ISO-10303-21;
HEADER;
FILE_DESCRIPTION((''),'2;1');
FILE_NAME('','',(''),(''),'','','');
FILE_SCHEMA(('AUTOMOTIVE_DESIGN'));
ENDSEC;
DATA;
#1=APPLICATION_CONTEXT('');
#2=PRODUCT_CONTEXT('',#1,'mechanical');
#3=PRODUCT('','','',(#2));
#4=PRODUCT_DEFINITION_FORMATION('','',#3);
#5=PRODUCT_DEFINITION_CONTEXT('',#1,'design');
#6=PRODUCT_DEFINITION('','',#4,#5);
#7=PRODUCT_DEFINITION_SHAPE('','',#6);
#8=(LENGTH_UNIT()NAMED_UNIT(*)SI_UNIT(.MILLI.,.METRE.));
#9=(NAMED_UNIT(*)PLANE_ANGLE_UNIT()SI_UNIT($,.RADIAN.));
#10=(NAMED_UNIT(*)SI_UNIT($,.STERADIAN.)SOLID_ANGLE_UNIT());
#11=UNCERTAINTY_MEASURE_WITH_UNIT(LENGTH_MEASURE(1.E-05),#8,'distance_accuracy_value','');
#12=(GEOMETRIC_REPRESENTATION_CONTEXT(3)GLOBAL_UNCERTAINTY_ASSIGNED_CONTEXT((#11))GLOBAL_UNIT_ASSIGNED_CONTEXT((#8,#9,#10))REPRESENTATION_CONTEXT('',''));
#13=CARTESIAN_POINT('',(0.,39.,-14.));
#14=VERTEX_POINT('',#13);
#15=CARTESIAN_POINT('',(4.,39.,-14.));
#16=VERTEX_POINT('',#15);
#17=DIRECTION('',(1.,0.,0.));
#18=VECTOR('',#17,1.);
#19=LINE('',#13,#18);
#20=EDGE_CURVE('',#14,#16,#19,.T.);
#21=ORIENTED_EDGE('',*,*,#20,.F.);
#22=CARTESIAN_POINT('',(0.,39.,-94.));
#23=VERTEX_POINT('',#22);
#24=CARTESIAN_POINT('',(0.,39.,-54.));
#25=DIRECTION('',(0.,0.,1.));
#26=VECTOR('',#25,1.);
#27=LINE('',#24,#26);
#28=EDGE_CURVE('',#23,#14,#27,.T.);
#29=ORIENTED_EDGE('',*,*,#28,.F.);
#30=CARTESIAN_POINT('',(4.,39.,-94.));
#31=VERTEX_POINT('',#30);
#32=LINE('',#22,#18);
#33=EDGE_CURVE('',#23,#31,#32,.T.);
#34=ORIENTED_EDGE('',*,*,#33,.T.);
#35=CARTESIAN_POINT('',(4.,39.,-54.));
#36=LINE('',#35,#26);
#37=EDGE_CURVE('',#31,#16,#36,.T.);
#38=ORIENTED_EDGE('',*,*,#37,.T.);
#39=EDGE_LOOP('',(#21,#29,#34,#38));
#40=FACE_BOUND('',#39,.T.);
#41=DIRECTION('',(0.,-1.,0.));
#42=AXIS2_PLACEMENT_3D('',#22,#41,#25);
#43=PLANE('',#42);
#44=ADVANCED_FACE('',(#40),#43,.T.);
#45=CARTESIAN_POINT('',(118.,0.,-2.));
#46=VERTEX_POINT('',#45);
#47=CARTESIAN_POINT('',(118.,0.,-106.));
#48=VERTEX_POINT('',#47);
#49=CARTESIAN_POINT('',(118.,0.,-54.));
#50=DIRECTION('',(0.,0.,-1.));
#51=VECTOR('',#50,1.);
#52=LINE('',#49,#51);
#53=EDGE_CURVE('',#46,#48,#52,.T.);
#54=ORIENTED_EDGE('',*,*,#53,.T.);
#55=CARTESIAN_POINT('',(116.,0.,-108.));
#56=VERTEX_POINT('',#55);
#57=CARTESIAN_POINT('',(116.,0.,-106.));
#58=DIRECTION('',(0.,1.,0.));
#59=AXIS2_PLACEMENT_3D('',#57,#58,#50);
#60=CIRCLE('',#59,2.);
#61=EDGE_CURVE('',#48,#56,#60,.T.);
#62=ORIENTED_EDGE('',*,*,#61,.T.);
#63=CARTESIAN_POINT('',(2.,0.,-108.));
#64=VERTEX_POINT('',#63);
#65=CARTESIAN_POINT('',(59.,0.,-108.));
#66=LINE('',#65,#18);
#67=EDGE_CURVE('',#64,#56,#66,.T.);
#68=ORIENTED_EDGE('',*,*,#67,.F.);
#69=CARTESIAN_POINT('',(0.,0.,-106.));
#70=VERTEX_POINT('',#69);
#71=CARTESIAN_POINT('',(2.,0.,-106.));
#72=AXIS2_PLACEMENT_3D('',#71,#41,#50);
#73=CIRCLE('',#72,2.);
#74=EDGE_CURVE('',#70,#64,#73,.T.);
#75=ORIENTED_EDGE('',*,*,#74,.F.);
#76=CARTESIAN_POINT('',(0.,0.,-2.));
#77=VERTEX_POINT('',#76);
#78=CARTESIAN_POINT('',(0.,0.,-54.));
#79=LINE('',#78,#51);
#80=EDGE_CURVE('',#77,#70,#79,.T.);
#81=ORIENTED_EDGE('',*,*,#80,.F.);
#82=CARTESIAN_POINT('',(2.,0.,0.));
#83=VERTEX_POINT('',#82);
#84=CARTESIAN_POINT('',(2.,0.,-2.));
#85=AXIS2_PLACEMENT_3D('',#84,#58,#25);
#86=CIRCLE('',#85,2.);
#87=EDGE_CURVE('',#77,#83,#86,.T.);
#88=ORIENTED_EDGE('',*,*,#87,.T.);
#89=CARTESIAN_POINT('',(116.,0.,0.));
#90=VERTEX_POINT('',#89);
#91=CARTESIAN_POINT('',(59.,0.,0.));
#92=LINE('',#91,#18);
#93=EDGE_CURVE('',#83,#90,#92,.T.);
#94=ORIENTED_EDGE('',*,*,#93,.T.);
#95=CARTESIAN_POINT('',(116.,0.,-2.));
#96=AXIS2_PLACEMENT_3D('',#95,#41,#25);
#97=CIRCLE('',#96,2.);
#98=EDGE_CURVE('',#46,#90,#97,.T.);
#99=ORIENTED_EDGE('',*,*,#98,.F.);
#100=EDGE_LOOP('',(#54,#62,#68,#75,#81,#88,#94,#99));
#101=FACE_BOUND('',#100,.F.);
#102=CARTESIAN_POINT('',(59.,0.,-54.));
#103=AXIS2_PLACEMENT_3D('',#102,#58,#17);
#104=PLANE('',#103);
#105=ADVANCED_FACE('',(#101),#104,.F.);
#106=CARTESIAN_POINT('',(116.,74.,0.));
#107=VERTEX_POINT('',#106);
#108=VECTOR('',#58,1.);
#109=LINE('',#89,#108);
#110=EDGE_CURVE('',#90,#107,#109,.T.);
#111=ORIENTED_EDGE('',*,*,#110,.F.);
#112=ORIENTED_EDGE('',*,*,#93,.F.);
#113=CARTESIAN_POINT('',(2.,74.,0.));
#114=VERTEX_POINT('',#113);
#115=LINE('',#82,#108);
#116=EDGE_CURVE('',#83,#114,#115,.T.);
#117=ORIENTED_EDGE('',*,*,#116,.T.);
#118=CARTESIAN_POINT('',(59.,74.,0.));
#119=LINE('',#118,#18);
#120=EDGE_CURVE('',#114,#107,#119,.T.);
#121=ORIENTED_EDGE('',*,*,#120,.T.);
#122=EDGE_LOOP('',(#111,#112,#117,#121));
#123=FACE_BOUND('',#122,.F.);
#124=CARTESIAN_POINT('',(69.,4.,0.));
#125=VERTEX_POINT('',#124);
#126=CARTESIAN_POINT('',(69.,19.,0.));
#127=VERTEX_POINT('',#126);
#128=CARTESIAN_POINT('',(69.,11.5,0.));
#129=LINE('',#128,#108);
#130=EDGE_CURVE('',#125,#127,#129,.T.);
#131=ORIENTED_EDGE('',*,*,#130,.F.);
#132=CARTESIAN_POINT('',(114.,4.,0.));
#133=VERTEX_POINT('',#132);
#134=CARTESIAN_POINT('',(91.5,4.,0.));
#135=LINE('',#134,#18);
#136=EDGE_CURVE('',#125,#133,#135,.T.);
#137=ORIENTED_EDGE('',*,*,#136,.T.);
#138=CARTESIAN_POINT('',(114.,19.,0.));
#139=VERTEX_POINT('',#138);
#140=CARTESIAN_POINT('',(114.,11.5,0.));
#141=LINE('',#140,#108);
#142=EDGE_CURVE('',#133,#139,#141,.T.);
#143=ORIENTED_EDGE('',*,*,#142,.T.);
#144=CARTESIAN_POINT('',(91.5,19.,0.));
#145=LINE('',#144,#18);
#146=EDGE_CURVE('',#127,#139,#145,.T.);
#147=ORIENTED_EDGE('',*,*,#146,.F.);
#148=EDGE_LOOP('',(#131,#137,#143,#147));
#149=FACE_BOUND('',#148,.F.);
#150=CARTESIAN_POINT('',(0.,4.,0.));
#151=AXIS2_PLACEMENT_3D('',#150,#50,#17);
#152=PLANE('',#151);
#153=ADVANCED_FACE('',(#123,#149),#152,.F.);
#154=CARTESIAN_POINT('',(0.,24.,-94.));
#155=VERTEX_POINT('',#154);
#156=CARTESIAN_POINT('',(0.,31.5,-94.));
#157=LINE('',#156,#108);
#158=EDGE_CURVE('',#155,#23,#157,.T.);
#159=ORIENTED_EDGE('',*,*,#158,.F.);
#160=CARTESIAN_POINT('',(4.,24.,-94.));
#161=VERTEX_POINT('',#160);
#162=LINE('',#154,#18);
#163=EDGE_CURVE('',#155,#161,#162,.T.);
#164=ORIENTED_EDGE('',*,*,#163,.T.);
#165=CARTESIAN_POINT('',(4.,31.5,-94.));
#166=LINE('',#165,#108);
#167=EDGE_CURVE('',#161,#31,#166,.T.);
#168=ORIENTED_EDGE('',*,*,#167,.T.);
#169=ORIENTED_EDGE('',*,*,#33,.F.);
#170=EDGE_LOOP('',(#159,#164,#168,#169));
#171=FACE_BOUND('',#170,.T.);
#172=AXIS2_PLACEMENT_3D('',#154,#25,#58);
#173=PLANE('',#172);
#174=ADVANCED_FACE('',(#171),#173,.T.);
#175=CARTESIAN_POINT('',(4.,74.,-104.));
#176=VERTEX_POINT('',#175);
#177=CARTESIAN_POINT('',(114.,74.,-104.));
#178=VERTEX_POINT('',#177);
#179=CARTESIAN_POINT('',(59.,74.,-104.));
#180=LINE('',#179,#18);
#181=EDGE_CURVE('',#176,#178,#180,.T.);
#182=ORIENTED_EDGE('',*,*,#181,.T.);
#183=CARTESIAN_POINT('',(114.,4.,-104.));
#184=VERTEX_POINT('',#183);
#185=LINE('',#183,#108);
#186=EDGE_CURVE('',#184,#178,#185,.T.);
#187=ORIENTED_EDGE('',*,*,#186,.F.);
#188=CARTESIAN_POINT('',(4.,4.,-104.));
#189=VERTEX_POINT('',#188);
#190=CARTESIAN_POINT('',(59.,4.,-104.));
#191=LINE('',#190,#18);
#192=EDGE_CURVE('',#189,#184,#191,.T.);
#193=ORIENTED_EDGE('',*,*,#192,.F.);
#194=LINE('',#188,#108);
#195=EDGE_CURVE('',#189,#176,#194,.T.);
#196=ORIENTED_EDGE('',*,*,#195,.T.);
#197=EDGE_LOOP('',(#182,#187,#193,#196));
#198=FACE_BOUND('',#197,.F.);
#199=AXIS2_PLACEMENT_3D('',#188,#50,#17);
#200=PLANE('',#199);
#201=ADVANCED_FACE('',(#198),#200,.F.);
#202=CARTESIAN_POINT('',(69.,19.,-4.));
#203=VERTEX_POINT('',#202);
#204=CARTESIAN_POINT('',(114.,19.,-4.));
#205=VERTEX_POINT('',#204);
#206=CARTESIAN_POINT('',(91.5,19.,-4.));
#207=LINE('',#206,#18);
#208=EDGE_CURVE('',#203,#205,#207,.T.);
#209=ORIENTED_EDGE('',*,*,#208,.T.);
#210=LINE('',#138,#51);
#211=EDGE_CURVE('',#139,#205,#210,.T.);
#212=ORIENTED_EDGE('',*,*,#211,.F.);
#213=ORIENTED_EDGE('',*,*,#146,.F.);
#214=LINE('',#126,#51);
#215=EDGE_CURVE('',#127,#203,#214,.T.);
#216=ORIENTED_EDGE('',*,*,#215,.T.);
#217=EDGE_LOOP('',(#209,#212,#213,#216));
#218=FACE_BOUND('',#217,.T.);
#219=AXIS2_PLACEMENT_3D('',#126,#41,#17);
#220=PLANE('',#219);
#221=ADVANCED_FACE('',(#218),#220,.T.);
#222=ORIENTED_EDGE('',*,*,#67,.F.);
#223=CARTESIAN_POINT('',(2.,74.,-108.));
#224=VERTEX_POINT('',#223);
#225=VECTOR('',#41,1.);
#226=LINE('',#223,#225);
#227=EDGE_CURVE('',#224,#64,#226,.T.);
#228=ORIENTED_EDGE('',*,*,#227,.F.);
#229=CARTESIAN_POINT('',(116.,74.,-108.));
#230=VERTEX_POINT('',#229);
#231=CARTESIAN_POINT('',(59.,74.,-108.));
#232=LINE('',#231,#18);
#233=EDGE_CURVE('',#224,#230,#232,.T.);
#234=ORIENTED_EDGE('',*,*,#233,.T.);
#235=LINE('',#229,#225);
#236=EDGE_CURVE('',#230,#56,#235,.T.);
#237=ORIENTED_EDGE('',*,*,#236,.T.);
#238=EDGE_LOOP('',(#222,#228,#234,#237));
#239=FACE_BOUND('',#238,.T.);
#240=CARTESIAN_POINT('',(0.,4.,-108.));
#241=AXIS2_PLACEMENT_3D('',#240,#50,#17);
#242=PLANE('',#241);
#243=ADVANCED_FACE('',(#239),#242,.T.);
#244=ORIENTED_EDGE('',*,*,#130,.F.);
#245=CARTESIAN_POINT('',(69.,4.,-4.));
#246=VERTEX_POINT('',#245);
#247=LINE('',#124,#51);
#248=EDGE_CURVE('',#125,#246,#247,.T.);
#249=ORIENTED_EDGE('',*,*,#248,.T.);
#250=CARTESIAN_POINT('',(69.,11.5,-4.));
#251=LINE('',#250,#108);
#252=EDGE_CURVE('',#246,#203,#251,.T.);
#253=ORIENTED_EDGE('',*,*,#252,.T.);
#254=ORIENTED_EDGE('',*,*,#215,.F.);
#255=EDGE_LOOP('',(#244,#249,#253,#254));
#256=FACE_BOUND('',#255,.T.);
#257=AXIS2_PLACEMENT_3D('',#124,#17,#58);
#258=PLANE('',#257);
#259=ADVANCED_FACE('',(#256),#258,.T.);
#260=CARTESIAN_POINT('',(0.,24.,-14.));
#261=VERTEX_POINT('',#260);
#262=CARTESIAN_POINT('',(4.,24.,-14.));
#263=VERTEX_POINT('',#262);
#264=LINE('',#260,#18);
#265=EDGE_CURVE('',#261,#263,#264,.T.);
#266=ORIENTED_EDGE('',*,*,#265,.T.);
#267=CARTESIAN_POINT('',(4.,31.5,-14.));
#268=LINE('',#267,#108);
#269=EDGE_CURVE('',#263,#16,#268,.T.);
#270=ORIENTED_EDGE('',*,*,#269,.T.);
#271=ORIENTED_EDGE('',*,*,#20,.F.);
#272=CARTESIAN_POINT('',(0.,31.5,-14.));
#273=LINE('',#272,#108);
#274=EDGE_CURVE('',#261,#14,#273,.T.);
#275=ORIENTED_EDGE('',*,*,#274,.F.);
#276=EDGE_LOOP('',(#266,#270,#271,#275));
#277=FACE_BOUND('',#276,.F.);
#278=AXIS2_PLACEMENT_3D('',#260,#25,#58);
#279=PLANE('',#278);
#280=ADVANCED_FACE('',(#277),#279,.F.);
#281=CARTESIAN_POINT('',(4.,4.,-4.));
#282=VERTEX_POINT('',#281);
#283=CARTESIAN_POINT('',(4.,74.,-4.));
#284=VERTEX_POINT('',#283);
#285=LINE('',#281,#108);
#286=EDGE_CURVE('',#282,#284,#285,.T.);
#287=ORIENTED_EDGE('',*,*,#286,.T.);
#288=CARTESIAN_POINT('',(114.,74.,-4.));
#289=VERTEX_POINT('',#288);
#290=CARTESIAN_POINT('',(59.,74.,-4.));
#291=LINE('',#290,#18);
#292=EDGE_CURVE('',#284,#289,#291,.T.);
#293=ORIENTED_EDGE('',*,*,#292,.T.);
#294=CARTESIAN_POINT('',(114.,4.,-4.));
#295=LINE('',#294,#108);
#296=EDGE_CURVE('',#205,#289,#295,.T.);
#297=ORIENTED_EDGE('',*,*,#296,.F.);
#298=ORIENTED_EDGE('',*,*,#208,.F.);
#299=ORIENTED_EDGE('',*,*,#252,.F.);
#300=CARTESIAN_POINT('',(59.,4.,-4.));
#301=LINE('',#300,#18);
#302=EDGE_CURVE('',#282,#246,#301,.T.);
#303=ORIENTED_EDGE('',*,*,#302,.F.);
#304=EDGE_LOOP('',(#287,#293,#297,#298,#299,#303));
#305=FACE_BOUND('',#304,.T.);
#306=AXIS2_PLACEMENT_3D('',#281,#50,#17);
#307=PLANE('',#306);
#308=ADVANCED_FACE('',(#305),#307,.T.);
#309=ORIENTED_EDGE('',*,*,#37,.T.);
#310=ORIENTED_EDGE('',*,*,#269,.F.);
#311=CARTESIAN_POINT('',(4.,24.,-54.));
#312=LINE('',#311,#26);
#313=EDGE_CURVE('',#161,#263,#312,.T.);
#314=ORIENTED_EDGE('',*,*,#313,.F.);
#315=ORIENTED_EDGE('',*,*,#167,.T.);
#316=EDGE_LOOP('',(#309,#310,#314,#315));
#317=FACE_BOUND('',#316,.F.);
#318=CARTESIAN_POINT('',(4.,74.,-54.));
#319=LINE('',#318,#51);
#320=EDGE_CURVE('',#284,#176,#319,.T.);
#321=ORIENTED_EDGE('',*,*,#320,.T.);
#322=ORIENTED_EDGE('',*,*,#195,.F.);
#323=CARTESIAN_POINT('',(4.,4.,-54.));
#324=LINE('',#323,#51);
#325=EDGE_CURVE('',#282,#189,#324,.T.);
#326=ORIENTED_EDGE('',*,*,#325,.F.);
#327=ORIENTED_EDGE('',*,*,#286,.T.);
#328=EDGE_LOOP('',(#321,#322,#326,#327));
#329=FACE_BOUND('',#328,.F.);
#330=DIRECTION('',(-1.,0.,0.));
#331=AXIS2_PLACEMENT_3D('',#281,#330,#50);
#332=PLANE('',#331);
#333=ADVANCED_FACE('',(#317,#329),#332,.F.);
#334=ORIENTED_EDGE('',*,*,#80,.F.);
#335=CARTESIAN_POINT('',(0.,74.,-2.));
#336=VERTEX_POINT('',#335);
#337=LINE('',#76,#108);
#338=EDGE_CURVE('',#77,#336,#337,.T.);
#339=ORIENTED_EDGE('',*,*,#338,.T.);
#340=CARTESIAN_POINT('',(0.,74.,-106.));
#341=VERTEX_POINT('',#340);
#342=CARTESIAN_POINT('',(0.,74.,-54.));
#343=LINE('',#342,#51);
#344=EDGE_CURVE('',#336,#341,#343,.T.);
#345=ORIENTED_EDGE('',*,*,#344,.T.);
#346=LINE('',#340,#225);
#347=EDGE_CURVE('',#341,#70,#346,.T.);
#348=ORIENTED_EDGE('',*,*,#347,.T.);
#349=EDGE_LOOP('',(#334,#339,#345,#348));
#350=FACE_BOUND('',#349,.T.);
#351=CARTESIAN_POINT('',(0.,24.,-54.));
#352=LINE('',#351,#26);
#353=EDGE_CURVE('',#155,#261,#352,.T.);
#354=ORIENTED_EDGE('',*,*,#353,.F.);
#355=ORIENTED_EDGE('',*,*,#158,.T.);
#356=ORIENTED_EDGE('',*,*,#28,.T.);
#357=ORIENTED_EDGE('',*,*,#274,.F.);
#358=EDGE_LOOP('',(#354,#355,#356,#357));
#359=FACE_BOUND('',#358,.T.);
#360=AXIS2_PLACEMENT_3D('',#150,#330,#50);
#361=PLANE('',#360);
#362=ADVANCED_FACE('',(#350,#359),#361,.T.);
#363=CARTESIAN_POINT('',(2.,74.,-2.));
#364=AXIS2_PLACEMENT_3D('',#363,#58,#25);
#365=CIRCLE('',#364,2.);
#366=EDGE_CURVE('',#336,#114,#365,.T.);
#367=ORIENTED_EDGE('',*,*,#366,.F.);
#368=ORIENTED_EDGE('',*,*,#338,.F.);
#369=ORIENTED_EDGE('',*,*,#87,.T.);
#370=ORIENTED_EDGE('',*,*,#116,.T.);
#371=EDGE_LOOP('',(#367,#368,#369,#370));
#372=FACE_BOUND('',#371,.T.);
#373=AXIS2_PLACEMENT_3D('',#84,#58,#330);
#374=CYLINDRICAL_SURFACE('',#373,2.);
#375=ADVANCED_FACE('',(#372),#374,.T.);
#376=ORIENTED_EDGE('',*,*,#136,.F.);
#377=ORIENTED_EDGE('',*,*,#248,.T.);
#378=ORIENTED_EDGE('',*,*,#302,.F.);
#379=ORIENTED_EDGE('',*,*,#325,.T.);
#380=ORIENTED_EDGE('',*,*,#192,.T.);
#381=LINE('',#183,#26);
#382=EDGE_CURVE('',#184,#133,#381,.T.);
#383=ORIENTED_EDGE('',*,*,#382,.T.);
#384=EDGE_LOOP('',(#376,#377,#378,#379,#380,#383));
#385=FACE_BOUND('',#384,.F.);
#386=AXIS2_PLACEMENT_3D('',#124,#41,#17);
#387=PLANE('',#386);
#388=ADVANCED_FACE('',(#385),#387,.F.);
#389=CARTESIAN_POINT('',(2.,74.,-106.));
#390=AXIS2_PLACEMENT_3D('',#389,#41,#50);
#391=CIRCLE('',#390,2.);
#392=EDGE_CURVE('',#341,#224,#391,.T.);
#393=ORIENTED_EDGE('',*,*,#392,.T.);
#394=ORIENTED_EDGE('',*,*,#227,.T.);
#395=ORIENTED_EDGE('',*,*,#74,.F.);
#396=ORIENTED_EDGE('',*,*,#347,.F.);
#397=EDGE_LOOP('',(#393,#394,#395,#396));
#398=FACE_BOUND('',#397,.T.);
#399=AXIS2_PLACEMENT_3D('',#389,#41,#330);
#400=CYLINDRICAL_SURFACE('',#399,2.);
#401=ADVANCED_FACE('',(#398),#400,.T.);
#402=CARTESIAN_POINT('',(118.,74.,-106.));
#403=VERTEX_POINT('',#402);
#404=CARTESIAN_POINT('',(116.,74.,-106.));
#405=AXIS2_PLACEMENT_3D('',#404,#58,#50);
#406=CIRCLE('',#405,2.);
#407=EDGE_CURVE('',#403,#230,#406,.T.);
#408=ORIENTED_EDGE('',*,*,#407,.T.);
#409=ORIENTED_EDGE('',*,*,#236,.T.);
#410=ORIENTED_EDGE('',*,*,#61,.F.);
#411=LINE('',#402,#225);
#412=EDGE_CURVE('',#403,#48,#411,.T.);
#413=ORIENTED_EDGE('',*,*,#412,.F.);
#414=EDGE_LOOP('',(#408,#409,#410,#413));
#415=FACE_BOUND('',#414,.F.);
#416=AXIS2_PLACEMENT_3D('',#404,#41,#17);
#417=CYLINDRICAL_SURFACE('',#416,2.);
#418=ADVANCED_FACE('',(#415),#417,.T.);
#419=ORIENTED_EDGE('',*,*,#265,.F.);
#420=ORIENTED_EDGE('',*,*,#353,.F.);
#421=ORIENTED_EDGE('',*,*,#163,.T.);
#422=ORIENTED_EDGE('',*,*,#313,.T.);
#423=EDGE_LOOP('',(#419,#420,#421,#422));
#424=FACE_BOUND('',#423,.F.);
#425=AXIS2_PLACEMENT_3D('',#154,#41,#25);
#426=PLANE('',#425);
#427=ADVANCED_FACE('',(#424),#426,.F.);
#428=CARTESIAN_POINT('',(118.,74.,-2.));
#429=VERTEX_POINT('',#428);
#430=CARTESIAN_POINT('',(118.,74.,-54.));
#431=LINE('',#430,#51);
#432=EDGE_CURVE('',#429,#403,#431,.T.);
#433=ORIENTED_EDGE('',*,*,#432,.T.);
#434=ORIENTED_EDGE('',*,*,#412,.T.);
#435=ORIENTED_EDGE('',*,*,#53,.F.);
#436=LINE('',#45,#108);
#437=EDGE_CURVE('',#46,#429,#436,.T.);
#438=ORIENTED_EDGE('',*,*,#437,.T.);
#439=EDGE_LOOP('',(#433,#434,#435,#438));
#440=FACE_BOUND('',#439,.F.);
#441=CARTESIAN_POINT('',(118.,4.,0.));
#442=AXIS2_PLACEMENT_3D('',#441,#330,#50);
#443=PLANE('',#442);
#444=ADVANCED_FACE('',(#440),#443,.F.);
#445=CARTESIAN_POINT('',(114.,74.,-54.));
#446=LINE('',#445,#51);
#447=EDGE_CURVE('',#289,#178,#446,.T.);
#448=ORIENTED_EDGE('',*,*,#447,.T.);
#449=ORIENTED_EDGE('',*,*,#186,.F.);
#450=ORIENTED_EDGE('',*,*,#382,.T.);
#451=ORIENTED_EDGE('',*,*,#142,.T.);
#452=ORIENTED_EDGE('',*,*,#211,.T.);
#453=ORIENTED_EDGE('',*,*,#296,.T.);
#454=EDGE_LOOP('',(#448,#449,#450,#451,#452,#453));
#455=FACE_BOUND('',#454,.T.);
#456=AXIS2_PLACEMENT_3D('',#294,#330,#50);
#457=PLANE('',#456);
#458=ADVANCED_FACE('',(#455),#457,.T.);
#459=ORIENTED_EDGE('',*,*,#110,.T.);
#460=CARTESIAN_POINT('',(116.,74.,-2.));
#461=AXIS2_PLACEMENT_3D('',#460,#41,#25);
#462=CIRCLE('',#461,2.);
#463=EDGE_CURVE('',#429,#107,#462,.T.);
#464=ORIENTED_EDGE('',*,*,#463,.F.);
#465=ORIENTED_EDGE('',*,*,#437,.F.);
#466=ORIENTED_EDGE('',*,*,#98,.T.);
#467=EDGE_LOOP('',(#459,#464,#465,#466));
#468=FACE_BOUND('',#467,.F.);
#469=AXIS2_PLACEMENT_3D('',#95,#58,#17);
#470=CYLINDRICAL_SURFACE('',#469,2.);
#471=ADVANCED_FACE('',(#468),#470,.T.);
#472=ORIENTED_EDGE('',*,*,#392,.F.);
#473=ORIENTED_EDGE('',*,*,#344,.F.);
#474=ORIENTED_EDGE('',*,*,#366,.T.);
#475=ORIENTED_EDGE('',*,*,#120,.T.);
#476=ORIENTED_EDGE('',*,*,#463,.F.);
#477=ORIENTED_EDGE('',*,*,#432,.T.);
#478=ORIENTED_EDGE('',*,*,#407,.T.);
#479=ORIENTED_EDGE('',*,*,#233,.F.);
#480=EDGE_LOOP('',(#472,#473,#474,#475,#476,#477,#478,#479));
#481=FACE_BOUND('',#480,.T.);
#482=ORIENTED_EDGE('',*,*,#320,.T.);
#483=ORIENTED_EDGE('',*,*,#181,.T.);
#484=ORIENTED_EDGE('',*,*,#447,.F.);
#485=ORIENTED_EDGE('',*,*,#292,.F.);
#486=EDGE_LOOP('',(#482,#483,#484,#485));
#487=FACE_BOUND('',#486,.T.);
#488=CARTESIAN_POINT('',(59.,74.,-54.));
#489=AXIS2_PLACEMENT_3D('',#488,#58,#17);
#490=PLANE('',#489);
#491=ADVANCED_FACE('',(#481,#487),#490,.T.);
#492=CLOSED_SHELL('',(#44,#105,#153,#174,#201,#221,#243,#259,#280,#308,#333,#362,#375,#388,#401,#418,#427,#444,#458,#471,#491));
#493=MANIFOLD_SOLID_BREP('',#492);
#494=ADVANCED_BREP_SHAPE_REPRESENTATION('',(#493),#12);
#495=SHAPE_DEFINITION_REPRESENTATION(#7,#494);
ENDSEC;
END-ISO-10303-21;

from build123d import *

# Parameters (mm, degrees)
SKETCH1_W           = 118
SKETCH1_H           = 108
BOSS_EXTRUDE1_DEPTH = 4
SKETCH2_W           = 118
SKETCH2_H           = 108
SKETCH2_W_2         = 110
SKETCH2_H_2         = 100
BOSS_EXTRUDE2_DEPTH = 70
SKETCH3_W           = 80
SKETCH3_H           = 15
CUT_EXTRUDE1_DEPTH  = 4
SKETCH4_W           = 45
SKETCH4_H           = 15
CUT_EXTRUDE2_DEPTH  = 4
FILLET1_R           = 2


with BuildPart() as part:
    # Sketch1 → Boss-Extrude1 (new body)
    with BuildSketch(Plane(origin=(0, 0, 0), x_dir=(1, 0, 0), z_dir=(0, 1, 0))):
        with Locations((59, 54)):
            Rectangle(SKETCH1_W, SKETCH1_H)
    extrude(amount=BOSS_EXTRUDE1_DEPTH)

    # Sketch2 → Boss-Extrude2 (add)
    with BuildSketch(Plane(origin=(0, 4, 0), x_dir=(1, 0, 0), z_dir=(0, 1, 0))):
        with Locations((59, 54)):
            Rectangle(SKETCH2_W, SKETCH2_H)
        with Locations((59, 54)):
            Rectangle(SKETCH2_W_2, SKETCH2_H_2, mode=Mode.SUBTRACT)
    extrude(amount=BOSS_EXTRUDE2_DEPTH)

    # Sketch3 → Cut-Extrude1 (cut)
    with BuildSketch(Plane.ZY):
        with Locations((-54, 31.5)):
            Rectangle(SKETCH3_W, SKETCH3_H)
    extrude(amount=-CUT_EXTRUDE1_DEPTH, mode=Mode.SUBTRACT)

    # Sketch4 → Cut-Extrude2 (cut)
    with BuildSketch(Plane.XY):
        with Locations((91.5, 11.5)):
            Rectangle(SKETCH4_W, SKETCH4_H)
    extrude(amount=-CUT_EXTRUDE2_DEPTH, mode=Mode.SUBTRACT)

    # Fillet1
    fillet1_edges = [part.edges().sort_by_distance(p)[0] for p in [
        (0, 37, -108),
        (118, 37, -108),
        (118, 37, 0),
        (0, 37, 0),
    ]]
    fillet(fillet1_edges, radius=FILLET1_R)


solid = part.part
